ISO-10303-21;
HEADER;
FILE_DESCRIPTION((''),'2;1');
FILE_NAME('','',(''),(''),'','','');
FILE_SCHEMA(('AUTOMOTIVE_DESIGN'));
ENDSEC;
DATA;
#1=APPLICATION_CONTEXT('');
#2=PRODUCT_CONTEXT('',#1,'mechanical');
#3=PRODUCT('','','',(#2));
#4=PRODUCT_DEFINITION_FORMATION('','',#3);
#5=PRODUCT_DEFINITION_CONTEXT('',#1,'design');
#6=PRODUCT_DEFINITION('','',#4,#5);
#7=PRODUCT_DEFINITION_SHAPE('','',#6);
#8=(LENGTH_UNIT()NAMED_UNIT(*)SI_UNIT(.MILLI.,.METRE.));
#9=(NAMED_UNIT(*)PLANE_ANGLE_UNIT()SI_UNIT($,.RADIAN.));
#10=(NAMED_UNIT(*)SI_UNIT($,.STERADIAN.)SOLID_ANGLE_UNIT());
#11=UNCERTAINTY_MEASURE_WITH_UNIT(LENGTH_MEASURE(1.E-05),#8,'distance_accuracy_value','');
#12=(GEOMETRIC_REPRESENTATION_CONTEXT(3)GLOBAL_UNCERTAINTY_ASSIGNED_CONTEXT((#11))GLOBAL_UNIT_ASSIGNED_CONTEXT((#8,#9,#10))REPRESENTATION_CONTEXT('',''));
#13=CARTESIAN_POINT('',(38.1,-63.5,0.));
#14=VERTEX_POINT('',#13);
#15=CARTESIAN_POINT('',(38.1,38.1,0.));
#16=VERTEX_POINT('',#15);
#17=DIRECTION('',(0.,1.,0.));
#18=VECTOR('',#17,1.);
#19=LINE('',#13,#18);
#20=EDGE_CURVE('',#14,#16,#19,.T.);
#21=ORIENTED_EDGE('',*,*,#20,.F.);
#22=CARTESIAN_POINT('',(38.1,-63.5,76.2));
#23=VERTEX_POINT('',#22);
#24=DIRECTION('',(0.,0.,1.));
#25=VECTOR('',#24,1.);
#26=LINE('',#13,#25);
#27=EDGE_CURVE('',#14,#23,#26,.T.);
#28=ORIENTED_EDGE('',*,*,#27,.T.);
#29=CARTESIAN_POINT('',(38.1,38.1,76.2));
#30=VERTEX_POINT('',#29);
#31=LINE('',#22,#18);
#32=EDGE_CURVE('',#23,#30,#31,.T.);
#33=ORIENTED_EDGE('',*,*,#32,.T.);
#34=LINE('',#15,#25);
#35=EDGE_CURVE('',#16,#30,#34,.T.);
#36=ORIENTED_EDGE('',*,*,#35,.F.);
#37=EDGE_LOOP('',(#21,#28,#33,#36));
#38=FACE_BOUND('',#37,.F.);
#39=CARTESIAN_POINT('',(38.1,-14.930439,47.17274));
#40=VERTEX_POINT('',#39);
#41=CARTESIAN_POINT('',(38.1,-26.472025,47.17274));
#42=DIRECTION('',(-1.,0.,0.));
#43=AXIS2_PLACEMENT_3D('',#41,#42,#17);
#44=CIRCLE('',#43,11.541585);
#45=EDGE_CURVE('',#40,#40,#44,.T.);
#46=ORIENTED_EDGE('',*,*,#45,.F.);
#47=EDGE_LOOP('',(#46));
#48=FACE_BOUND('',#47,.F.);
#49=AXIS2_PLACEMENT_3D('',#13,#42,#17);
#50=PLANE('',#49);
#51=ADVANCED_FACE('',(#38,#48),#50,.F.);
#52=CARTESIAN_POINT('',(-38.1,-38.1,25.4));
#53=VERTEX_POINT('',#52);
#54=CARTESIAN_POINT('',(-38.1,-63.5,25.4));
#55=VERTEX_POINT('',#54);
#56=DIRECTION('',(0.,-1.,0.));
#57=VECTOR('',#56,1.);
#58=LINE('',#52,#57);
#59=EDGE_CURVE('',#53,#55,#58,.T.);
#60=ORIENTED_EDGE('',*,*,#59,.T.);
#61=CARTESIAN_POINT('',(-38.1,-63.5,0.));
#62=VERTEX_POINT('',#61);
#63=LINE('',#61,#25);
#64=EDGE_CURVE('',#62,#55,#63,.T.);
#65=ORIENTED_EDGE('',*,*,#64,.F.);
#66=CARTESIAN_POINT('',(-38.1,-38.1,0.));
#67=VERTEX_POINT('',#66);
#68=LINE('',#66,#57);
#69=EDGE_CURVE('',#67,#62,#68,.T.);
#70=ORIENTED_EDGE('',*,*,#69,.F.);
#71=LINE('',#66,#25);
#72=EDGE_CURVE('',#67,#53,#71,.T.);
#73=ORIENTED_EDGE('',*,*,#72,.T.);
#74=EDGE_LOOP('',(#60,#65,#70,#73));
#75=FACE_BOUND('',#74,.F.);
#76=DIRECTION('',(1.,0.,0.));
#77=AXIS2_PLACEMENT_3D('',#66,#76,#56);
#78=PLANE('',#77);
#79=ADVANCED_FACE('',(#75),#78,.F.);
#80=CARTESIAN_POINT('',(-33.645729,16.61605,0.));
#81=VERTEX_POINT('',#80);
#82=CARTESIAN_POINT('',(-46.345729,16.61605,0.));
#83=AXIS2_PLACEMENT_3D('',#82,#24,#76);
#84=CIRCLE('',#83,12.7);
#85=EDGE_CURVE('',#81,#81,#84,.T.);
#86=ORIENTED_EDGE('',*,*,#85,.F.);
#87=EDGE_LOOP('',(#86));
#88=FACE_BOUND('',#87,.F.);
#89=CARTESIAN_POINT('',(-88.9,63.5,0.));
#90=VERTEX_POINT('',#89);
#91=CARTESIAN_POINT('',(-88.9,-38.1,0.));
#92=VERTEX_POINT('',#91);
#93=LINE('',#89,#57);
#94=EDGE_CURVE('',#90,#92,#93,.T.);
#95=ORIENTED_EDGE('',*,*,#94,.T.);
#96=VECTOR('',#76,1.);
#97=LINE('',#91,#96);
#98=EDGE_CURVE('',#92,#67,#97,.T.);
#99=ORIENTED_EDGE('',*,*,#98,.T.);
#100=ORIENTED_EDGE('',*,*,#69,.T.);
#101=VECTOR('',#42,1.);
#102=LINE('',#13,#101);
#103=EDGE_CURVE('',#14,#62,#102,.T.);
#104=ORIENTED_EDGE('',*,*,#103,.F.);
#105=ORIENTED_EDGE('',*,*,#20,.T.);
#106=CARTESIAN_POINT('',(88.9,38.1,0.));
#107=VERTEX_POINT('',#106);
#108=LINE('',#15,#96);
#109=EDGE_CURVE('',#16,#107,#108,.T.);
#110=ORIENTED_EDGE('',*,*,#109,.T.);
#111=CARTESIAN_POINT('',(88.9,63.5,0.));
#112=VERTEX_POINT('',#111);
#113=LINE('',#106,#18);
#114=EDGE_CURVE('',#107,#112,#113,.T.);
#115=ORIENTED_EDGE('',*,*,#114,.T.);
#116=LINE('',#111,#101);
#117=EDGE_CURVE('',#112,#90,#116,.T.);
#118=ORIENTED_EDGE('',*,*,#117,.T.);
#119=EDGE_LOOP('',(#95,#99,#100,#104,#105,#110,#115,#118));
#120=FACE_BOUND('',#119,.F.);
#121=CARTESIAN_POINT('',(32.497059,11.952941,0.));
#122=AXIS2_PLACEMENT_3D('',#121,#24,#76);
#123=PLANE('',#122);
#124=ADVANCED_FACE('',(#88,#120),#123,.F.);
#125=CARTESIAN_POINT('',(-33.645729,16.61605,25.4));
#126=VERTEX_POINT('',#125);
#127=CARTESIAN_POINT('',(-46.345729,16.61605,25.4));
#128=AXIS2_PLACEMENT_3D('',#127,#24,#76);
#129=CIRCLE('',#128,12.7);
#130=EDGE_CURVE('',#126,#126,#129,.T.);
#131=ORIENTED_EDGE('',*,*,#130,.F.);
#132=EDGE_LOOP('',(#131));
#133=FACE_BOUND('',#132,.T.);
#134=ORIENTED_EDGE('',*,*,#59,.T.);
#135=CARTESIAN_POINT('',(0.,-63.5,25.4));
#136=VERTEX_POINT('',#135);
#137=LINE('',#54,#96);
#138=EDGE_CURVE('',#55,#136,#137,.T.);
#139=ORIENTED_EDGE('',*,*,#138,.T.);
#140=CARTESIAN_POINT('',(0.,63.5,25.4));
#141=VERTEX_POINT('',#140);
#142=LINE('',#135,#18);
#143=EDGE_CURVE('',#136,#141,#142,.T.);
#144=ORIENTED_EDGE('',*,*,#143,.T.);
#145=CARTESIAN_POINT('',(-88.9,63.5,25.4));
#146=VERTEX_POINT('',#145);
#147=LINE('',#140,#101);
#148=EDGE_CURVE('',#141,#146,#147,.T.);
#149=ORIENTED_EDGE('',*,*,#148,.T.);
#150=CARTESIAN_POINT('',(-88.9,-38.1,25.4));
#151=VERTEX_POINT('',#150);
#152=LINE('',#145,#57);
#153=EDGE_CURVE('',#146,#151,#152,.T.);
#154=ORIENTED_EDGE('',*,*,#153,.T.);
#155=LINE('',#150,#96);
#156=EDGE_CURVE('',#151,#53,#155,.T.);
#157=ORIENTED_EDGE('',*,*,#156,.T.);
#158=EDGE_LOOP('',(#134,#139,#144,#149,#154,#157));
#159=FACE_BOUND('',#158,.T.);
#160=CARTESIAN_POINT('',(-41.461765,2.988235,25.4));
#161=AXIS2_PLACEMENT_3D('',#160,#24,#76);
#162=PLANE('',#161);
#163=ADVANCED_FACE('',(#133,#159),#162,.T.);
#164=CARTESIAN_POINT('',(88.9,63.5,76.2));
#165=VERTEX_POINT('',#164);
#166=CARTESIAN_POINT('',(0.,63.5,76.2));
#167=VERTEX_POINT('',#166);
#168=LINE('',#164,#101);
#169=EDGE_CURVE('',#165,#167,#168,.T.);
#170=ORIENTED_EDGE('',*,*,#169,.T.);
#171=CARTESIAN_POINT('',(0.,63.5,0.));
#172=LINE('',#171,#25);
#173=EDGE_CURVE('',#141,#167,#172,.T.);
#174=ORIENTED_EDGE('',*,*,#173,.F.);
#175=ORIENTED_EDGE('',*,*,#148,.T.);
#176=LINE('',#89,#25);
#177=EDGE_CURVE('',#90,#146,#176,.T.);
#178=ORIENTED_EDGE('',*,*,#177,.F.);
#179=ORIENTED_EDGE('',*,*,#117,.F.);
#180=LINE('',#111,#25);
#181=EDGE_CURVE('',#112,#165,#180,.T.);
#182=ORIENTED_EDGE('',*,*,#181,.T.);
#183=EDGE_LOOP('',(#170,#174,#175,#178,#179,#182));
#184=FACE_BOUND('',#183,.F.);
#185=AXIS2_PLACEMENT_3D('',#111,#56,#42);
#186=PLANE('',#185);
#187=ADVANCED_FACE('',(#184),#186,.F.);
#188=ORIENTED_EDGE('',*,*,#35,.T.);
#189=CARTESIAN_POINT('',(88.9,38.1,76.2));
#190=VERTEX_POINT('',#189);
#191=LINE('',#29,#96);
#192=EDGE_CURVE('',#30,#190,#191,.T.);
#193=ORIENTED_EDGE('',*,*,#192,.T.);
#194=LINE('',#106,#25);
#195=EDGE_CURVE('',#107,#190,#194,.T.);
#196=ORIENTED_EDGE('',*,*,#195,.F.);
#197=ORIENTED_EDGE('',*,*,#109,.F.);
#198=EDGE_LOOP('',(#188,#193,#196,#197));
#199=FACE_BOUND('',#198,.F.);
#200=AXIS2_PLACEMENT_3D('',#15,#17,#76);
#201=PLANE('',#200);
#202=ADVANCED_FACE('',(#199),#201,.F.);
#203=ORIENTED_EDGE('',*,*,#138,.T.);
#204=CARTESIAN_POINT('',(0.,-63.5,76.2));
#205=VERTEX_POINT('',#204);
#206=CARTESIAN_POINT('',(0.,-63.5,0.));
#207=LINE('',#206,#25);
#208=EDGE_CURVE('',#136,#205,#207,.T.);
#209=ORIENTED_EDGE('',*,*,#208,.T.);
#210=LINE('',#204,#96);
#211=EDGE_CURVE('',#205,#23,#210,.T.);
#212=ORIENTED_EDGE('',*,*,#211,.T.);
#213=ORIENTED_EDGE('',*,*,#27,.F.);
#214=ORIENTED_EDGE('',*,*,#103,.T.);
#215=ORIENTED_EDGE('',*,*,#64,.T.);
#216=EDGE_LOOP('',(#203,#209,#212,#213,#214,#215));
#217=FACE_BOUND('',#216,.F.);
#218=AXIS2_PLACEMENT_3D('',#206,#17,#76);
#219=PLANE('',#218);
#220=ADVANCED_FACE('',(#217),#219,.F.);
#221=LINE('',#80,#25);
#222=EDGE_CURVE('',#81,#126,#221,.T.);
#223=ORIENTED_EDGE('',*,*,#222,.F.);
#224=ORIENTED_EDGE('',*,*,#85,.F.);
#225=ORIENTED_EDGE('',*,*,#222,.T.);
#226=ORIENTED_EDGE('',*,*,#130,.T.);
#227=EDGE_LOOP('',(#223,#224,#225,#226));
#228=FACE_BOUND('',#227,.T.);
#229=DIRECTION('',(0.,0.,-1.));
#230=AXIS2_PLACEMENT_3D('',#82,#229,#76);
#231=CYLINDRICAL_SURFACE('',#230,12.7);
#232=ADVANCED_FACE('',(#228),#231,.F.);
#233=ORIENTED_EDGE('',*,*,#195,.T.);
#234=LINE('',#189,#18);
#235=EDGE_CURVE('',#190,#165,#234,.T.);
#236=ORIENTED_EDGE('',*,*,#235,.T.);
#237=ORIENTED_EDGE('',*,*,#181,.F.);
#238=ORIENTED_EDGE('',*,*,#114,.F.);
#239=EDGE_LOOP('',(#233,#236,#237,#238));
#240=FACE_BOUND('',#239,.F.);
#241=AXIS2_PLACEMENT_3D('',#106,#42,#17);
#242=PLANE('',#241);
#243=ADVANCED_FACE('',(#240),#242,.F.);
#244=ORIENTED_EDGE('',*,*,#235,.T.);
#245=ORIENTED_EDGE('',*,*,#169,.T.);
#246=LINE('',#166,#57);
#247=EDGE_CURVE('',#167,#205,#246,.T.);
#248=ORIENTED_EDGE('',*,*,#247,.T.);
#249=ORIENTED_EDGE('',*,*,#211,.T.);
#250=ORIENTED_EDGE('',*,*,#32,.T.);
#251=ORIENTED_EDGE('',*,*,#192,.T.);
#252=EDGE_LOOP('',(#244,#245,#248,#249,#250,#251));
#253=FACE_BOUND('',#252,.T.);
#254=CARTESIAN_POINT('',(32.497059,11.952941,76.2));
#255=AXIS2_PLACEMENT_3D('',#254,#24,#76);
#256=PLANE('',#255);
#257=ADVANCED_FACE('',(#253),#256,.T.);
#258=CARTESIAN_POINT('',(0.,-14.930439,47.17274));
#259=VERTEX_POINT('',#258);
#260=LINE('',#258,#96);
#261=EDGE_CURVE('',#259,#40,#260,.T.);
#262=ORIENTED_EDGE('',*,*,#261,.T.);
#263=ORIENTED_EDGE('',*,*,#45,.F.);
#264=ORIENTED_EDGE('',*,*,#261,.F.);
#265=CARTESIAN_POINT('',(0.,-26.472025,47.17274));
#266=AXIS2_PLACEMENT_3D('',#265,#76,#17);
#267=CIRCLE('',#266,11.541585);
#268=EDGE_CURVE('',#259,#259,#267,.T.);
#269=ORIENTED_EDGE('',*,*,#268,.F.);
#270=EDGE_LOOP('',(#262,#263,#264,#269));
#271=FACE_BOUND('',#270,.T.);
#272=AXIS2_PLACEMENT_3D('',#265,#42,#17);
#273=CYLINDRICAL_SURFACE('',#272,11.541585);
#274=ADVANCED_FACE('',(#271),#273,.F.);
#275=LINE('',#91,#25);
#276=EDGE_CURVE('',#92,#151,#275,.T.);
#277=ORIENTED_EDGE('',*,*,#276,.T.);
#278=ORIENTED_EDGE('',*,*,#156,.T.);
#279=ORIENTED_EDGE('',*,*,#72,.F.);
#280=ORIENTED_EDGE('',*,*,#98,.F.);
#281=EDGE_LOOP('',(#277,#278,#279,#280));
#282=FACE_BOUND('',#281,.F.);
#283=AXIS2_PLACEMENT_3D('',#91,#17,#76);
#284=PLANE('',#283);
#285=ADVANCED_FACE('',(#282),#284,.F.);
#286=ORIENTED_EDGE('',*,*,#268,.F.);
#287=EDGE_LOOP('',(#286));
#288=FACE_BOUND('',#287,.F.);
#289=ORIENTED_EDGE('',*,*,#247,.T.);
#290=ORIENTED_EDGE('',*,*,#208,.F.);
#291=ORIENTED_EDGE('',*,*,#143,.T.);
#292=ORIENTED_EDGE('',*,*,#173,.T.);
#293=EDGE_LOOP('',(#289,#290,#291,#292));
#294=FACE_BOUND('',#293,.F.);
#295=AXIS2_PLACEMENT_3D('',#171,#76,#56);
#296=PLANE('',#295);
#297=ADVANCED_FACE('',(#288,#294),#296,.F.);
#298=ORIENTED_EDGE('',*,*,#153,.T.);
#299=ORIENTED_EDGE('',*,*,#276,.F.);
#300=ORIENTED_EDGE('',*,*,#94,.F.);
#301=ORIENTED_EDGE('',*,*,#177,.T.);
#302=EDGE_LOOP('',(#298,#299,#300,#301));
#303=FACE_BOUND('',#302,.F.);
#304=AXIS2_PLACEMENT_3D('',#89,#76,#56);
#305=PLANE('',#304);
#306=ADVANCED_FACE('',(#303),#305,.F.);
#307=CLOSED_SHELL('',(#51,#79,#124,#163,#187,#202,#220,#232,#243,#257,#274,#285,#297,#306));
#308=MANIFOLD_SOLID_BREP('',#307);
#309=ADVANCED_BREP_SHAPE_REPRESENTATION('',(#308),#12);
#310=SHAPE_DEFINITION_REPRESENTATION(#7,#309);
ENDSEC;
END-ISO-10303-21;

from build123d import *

# Parameters (mm, degrees)
F0_R     = 12.7
F1_DEPTH = 25.4
F2_DEPTH = 76.2
F3_R     = 11.5415853334
F4_DEPTH = 97.028


with BuildPart() as f1:
    # F0 (on Top) → F1 (new body)
    with BuildSketch(Plane.XY):
        Polygon((0, -63.5), (0, 63.5), (-88.9, 63.5), (-88.9, -38.1), (-38.1, -38.1), (-38.1, -63.5), align=None)
        with Locations((-46.3457293808, 16.616050154)):
            Circle(F0_R, mode=Mode.SUBTRACT)
    extrude(amount=F1_DEPTH)

    # F0 (on Top) → F2 (join)
    with BuildSketch(Plane.XY):
        Polygon((88.9, 38.1), (88.9, 63.5), (0, 63.5), (0, -63.5), (38.1, -63.5), (38.1, 38.1), align=None)
    extrude(amount=F2_DEPTH)

    # F3 (on Right) → F4 (cut)
    with BuildSketch(Plane.YZ):
        with Locations((-26.4720246196, 47.1727401018)):
            Circle(F3_R)
    extrude(amount=F4_DEPTH, mode=Mode.SUBTRACT)


solid = f1.part
